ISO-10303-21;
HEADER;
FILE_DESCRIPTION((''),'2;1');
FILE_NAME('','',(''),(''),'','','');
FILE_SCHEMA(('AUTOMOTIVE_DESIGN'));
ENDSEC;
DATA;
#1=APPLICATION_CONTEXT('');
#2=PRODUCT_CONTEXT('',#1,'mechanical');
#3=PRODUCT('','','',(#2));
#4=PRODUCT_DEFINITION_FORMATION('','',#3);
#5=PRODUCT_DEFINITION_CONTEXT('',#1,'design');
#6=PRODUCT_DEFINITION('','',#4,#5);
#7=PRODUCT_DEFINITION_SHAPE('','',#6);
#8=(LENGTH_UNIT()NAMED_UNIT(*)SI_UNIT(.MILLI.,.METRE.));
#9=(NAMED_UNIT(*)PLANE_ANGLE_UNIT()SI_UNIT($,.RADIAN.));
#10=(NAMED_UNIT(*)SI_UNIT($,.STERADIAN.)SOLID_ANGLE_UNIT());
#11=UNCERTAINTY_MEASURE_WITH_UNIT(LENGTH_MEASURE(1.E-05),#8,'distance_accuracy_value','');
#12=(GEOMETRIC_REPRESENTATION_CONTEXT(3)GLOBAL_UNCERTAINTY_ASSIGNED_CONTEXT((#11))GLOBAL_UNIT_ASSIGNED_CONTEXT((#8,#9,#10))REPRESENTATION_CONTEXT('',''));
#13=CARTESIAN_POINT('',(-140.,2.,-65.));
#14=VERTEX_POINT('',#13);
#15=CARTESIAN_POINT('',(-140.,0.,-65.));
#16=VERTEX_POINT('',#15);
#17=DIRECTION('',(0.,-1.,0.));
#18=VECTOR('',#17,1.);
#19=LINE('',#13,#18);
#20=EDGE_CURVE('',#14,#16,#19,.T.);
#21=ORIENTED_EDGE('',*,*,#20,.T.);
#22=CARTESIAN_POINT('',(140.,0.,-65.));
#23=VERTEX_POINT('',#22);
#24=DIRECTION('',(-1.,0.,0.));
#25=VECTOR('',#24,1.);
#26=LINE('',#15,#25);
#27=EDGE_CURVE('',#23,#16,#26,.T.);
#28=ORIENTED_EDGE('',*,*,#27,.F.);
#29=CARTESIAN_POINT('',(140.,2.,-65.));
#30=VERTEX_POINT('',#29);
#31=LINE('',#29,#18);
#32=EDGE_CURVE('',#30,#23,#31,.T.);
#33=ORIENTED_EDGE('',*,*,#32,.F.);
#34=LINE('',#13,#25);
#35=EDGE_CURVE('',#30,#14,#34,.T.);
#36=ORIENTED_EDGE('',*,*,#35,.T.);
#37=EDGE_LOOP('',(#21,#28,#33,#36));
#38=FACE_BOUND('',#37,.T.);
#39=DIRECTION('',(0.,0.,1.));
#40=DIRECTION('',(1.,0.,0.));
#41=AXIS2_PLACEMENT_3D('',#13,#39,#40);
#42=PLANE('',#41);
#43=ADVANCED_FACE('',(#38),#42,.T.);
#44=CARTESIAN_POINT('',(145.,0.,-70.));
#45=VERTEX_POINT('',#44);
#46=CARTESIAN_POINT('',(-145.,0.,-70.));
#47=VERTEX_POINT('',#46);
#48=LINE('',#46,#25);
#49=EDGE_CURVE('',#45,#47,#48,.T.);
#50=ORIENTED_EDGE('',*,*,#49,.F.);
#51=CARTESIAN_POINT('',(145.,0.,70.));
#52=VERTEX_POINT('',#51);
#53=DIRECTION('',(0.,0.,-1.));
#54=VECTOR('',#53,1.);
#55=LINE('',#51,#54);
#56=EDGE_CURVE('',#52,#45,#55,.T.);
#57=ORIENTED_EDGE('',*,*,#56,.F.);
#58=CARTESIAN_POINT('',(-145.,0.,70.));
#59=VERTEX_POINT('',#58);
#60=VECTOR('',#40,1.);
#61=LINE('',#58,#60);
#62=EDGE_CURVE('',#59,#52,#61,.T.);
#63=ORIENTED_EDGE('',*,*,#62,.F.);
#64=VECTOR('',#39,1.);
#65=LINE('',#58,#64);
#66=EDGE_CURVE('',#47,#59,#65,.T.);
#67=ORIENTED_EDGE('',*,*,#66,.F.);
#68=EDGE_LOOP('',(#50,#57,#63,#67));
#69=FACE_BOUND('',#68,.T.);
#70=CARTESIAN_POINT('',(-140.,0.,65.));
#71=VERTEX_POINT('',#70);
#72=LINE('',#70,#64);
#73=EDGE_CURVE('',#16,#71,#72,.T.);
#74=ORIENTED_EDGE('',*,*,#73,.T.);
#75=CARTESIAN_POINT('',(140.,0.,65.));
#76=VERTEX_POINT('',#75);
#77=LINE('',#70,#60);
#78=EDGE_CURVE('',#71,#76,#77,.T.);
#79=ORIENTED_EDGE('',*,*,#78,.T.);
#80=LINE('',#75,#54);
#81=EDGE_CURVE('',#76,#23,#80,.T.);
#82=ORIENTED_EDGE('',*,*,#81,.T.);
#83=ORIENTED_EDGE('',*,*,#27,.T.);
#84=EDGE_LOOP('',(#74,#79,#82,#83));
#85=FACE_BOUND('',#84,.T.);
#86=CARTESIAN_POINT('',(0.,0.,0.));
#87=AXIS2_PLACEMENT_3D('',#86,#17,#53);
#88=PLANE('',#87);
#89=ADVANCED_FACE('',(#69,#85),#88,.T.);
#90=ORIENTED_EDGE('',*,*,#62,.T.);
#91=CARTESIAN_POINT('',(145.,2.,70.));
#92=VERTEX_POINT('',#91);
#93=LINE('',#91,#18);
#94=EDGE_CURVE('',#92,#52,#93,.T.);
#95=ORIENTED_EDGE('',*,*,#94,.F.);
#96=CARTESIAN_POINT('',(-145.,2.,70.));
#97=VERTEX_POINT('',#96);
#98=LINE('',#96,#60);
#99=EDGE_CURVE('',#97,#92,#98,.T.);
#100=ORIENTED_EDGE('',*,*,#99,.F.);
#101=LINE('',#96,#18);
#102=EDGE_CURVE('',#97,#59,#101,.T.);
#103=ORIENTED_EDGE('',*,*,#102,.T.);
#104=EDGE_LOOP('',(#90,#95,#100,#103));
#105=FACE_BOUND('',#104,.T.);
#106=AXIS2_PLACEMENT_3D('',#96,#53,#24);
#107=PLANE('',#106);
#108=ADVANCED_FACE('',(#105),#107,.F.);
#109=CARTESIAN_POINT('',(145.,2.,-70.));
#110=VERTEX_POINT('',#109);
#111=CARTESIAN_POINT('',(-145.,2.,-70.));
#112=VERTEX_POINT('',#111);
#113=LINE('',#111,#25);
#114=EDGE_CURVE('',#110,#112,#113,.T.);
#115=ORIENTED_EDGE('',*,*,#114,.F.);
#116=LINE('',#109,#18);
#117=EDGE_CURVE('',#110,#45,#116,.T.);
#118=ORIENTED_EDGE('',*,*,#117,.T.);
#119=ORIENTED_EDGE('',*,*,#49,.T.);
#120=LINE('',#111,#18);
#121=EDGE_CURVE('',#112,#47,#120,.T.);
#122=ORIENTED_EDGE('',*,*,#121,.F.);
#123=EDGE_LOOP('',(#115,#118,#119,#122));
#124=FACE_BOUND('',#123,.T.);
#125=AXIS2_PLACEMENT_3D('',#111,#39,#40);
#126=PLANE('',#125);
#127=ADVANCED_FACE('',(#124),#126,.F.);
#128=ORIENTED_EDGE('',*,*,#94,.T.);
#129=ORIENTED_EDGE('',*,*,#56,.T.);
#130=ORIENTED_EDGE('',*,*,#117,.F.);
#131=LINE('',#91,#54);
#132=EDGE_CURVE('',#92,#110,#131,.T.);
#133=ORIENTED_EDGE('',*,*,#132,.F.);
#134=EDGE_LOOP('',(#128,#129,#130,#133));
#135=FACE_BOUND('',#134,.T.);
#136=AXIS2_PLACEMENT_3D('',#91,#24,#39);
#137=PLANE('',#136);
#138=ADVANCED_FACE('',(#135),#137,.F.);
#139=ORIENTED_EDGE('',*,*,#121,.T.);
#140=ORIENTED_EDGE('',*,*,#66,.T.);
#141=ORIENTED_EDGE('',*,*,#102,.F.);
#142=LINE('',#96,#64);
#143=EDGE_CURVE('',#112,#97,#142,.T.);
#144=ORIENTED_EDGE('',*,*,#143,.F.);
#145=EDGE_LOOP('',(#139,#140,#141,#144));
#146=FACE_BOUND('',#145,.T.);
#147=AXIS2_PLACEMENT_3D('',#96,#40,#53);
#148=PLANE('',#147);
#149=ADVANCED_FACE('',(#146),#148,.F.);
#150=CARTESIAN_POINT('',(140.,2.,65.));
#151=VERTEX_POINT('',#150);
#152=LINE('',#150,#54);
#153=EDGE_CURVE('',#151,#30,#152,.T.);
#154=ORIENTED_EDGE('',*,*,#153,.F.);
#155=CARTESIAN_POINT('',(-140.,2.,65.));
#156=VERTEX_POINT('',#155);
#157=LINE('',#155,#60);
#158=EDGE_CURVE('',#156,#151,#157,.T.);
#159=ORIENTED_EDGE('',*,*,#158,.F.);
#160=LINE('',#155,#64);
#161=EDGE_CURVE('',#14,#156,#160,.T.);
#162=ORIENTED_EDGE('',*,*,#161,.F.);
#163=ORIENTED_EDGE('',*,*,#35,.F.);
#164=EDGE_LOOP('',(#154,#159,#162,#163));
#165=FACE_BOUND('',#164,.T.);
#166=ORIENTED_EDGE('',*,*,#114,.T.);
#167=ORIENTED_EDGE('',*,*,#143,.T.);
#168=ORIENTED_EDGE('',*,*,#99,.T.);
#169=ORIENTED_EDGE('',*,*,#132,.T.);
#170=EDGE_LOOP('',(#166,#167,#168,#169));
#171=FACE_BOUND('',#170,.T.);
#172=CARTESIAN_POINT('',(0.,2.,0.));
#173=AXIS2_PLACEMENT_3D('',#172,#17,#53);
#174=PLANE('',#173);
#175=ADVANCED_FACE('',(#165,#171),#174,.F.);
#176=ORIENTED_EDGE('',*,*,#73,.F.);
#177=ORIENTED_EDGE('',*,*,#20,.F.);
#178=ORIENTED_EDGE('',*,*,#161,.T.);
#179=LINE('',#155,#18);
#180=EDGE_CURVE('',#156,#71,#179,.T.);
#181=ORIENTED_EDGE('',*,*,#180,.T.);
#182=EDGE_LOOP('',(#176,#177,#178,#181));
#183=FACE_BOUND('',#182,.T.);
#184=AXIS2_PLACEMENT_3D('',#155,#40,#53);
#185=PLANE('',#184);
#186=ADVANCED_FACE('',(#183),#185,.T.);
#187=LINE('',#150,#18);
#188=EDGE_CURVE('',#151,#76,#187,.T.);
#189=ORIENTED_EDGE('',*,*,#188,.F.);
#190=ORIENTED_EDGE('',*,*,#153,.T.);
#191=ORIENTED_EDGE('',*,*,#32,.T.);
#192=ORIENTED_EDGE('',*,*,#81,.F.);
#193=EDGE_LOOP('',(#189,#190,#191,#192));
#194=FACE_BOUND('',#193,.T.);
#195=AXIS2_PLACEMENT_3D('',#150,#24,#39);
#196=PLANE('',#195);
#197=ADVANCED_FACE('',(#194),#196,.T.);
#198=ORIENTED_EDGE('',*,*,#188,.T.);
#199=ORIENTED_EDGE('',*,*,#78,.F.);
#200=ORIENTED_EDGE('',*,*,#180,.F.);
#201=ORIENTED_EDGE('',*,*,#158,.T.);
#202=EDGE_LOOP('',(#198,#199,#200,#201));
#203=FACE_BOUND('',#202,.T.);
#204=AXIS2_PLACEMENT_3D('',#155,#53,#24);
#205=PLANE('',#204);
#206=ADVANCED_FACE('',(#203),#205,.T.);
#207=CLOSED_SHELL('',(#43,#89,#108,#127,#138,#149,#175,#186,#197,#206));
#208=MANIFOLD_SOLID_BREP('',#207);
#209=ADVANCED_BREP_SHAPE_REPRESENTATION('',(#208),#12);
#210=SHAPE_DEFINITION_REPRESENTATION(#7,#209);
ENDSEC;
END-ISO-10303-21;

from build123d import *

# Parameters (mm, degrees)
SKETCH1_W           = 290
SKETCH1_H           = 140
SKETCH1_W_2         = 280
SKETCH1_H_2         = 130
BOSS_EXTRUDE1_DEPTH = 2


with BuildPart() as part:
    # Sketch1 → Boss-Extrude1 (new body)
    with BuildSketch(Plane(origin=(0, 0, 0), x_dir=(1, 0, 0), z_dir=(0, 1, 0))):
        Rectangle(SKETCH1_W, SKETCH1_H)
        Rectangle(SKETCH1_W_2, SKETCH1_H_2, mode=Mode.SUBTRACT)
    extrude(amount=BOSS_EXTRUDE1_DEPTH)


solid = part.part
